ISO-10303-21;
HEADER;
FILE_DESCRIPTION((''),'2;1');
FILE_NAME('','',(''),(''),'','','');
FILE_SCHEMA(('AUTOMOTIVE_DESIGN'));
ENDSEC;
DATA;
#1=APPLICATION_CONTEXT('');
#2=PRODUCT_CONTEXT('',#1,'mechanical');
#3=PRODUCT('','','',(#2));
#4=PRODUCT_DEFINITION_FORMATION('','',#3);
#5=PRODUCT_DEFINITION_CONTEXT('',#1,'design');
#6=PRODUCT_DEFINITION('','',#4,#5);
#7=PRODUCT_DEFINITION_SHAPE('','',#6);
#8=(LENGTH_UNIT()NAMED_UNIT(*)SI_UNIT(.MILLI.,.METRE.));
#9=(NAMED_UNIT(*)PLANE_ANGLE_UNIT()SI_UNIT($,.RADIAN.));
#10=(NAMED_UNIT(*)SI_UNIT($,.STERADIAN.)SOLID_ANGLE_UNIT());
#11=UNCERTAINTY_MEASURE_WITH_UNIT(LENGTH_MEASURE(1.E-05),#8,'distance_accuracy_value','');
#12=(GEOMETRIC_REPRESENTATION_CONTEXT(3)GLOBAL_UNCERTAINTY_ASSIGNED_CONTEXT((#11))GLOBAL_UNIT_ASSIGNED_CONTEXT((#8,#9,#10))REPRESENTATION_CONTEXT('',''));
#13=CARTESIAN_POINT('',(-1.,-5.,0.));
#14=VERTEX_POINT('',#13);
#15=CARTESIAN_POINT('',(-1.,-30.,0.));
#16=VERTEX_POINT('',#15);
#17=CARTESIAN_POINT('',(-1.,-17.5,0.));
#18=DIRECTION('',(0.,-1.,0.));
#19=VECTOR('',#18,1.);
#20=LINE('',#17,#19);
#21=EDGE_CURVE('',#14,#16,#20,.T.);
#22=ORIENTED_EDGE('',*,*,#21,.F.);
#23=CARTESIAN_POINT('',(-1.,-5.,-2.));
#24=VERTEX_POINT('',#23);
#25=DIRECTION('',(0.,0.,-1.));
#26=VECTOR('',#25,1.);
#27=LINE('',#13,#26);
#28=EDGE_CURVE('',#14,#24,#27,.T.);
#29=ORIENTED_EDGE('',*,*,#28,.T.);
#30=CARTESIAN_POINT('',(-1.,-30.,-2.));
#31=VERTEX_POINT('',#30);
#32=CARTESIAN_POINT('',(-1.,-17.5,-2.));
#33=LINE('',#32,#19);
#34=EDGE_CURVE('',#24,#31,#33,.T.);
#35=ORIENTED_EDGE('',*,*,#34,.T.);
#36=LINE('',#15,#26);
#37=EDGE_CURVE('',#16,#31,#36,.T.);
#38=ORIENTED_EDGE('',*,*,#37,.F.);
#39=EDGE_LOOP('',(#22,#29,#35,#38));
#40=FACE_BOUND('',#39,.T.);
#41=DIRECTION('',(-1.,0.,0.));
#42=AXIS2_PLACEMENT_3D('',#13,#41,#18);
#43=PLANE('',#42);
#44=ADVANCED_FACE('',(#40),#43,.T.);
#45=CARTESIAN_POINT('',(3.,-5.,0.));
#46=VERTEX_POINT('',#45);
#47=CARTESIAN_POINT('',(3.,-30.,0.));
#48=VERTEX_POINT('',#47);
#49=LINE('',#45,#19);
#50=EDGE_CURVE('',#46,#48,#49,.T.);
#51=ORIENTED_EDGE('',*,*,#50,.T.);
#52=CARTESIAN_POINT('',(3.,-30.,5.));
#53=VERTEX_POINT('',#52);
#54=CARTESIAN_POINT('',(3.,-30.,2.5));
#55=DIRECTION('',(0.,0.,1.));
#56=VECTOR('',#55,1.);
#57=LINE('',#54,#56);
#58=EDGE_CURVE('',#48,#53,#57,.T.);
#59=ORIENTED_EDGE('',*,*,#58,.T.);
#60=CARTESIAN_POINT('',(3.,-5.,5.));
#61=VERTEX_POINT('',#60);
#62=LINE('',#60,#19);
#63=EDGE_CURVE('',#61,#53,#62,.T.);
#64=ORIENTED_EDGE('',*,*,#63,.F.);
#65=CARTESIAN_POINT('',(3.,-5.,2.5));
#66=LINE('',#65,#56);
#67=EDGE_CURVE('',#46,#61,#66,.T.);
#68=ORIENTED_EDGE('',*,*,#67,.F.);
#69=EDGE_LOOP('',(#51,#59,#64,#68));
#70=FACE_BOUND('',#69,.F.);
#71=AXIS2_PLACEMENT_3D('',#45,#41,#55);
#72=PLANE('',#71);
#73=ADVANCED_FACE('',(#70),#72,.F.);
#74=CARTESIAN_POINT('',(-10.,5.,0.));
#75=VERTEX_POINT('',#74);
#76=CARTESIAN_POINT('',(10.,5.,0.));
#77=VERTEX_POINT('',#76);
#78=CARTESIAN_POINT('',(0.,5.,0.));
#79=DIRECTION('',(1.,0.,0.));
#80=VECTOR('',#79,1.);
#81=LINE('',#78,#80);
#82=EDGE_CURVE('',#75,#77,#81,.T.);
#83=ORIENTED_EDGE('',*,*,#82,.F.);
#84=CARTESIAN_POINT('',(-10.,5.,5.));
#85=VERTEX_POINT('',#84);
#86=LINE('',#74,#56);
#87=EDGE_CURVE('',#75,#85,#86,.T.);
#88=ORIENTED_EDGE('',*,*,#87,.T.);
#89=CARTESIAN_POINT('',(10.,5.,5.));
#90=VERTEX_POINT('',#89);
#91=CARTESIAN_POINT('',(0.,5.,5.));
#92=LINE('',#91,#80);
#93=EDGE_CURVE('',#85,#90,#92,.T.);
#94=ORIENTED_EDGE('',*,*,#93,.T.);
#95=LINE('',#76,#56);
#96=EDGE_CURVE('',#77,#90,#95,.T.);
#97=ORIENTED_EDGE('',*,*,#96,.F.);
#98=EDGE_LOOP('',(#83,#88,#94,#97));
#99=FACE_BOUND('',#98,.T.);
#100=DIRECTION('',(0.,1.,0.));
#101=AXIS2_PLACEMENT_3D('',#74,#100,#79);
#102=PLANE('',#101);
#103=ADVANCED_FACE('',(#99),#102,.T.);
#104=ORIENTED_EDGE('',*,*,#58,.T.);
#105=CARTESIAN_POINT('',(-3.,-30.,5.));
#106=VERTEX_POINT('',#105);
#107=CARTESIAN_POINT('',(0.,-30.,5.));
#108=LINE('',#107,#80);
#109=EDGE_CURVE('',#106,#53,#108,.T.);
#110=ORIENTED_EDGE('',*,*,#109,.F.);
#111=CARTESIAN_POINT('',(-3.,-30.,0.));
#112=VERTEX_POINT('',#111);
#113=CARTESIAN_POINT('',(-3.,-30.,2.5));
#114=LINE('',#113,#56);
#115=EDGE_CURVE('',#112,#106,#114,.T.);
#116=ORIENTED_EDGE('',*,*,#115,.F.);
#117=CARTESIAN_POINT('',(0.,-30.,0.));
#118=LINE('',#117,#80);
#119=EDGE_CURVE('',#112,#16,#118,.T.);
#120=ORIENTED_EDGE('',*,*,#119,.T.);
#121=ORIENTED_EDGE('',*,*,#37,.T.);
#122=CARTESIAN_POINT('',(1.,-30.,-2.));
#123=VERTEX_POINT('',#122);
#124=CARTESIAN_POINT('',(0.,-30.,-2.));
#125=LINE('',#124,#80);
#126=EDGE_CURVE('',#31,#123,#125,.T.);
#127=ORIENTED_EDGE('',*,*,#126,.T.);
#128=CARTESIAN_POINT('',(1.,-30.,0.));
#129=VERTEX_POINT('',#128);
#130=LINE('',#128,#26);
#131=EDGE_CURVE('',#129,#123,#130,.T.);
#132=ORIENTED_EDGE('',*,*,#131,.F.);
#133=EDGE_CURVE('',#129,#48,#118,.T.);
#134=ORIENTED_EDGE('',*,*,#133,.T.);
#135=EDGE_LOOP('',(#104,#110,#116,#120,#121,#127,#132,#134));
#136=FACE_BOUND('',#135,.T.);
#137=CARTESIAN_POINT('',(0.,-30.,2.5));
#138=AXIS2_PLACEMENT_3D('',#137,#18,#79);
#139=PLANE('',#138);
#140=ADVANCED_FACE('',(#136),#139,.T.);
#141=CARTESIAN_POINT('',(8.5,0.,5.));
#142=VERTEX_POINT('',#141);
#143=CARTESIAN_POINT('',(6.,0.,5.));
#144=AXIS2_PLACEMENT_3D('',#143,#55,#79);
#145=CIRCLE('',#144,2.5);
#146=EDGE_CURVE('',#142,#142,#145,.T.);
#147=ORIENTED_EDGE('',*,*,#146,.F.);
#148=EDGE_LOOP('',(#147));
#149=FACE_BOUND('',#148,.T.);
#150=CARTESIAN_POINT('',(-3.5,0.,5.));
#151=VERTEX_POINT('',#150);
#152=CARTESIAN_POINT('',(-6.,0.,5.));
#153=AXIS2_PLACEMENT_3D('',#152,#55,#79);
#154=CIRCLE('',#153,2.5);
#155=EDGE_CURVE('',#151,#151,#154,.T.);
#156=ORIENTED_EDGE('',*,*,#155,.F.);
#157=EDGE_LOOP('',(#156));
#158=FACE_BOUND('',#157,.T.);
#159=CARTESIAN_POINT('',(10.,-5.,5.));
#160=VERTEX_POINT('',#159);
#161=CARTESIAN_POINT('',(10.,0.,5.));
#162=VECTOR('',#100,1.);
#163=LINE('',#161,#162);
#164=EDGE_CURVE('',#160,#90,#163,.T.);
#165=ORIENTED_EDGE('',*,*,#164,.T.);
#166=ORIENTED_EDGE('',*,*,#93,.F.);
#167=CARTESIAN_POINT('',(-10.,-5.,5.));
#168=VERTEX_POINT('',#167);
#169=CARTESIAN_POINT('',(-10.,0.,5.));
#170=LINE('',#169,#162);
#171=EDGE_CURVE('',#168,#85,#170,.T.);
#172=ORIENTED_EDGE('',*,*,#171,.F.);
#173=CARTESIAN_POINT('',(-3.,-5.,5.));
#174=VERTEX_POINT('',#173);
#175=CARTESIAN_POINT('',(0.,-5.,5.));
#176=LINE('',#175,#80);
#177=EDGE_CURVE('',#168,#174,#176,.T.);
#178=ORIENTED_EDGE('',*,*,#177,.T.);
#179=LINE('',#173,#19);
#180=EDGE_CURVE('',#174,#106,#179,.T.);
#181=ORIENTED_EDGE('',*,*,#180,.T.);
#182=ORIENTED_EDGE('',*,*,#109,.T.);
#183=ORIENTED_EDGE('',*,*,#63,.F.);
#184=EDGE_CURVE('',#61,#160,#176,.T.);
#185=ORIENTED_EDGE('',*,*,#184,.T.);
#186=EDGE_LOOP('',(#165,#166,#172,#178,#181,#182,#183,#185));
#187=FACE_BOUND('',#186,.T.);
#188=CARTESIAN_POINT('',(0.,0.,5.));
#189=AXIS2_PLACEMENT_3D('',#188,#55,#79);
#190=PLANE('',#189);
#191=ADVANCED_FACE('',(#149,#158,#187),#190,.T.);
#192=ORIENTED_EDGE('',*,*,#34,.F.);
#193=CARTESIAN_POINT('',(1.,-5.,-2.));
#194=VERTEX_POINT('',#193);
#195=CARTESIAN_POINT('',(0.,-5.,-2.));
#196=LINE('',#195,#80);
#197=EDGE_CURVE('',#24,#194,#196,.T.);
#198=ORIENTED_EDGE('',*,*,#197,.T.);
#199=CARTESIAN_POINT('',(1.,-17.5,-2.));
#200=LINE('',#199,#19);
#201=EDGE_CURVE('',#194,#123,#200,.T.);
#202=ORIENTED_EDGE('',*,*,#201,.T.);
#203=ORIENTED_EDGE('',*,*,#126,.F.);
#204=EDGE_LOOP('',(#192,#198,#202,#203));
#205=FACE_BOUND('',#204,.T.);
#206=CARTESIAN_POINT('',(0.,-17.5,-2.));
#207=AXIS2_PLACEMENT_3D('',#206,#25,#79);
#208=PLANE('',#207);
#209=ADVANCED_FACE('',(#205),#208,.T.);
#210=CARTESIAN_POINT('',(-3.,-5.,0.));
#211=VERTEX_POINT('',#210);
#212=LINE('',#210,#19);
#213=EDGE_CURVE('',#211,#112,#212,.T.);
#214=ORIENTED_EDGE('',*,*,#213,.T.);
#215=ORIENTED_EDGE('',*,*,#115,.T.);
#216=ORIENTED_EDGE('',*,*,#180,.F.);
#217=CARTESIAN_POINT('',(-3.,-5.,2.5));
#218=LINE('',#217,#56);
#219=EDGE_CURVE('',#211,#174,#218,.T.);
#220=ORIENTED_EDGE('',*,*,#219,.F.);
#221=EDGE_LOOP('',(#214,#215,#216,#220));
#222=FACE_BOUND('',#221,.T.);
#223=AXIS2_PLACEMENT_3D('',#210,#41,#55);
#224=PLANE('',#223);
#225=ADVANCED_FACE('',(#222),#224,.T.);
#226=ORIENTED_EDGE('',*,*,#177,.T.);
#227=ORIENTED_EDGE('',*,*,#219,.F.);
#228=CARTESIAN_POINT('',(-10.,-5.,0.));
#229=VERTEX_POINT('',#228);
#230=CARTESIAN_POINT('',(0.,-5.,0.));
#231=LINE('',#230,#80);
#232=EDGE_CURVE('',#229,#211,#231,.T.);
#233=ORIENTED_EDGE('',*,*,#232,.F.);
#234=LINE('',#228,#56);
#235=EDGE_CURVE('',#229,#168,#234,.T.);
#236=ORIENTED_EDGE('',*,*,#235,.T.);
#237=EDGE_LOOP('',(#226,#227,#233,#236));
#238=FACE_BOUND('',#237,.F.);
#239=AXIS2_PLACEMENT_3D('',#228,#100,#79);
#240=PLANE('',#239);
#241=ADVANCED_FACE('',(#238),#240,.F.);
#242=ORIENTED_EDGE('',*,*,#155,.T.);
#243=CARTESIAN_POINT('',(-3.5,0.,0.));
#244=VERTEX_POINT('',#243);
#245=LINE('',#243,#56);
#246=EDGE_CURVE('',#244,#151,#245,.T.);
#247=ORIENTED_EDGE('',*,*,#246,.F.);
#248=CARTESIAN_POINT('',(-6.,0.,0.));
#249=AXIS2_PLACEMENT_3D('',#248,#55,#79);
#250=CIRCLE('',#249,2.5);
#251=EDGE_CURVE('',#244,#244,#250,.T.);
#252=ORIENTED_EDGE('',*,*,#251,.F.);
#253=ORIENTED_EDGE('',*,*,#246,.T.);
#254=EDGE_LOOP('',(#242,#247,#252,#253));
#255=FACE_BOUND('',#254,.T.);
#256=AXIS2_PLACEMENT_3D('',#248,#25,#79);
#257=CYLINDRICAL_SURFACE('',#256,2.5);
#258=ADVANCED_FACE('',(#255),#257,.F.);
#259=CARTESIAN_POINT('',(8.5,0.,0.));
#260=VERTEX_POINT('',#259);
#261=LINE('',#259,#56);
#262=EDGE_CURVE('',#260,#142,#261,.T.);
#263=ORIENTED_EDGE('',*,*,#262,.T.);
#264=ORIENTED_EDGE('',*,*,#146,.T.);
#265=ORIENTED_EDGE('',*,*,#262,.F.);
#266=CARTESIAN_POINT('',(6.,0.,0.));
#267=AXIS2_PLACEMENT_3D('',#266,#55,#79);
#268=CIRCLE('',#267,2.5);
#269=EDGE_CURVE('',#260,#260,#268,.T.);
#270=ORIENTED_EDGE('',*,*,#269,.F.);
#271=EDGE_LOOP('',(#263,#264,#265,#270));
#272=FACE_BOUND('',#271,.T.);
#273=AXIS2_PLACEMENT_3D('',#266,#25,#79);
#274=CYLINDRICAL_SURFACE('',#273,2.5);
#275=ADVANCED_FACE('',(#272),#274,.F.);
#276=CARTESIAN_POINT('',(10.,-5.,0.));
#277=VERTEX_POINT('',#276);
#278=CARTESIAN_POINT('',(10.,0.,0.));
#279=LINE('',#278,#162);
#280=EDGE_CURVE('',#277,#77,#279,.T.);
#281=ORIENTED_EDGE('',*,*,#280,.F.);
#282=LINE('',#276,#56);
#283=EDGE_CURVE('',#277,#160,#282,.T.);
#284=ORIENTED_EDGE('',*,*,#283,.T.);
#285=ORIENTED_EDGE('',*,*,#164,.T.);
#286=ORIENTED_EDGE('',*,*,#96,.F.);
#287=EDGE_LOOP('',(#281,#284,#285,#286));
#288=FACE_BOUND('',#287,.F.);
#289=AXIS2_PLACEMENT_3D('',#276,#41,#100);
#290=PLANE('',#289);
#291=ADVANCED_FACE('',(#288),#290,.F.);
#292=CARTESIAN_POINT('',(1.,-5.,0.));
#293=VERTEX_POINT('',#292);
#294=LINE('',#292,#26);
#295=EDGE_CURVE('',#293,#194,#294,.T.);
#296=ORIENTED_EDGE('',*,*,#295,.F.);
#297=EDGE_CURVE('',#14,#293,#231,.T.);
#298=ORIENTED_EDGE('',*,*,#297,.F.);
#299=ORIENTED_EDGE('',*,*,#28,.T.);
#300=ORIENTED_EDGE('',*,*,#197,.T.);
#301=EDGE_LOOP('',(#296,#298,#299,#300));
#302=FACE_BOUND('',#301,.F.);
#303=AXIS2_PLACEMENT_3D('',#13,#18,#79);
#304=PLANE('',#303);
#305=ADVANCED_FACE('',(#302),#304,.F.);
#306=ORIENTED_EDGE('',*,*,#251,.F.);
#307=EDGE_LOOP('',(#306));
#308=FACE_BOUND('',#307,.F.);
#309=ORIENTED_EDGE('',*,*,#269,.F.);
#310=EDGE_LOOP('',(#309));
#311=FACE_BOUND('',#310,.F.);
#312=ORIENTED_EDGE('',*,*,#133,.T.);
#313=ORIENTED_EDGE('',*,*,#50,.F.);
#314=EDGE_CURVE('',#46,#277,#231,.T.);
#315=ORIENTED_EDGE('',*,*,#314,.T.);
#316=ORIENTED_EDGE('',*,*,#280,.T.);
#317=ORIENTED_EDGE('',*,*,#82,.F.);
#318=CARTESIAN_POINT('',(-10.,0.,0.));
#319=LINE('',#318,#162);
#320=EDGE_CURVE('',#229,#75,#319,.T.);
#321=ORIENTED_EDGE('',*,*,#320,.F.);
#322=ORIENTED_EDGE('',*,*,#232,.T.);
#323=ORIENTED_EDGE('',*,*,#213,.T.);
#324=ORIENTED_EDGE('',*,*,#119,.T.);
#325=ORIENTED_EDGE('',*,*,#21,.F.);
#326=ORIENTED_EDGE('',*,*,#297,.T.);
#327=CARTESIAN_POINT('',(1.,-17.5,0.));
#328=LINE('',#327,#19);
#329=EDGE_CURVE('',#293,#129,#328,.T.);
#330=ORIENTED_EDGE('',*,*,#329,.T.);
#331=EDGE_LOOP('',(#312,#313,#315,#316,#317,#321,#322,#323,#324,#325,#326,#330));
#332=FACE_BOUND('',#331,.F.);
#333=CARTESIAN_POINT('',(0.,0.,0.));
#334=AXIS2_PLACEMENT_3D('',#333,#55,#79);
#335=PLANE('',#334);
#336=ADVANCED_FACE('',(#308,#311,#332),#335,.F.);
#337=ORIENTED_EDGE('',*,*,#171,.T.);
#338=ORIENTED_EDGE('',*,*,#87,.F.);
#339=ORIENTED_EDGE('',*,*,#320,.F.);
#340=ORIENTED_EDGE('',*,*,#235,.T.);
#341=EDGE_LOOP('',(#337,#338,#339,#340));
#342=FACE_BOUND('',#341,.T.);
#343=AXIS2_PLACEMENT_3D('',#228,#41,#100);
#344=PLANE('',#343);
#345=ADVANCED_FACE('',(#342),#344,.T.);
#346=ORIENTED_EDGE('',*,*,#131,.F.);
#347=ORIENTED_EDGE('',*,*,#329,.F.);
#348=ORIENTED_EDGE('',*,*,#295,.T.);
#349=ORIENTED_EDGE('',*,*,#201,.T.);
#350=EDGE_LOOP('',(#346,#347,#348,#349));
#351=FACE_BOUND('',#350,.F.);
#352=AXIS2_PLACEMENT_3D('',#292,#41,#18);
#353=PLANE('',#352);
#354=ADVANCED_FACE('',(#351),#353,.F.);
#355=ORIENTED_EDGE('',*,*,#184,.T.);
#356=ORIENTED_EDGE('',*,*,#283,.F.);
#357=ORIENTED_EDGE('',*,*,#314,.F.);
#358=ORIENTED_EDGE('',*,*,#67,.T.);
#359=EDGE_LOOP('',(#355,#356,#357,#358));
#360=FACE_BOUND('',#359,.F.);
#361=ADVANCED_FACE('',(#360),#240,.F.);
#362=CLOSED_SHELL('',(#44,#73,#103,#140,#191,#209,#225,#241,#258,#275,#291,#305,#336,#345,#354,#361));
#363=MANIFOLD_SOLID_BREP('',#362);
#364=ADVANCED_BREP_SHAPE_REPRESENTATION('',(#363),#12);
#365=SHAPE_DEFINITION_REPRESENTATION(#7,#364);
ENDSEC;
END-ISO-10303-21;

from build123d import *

# Parameters (mm, degrees)
SKETCH_W     = 20
SKETCH_H     = 10
SKETCH_R     = 2.5
PAD_DEPTH    = 5
SKETCH001_W  = 6
SKETCH001_H  = 5
PAD001_DEPTH = 25
SKETCH002_W  = 2
SKETCH002_H  = 25
PAD002_DEPTH = 2


with BuildPart() as part:
    # Sketch → Pad (new body)
    with BuildSketch(Plane.XY):
        Rectangle(SKETCH_W, SKETCH_H)
        with Locations((-6, 0)):
            Circle(SKETCH_R, mode=Mode.SUBTRACT)
        with Locations((6, 0)):
            Circle(SKETCH_R, mode=Mode.SUBTRACT)
    extrude(amount=PAD_DEPTH)

    # Sketch001 → Pad001 (new body)
    with BuildSketch(Plane.XZ.offset(5)):
        with Locations((0, 2.5)):
            Rectangle(SKETCH001_W, SKETCH001_H)
    extrude(amount=PAD001_DEPTH)

    # Sketch002 → Pad002 (new body)
    with BuildSketch(Plane(origin=(0, 0, 0), x_dir=(1, 0, 0), z_dir=(0, 0, -1))):
        with Locations((0, 17.5)):
            Rectangle(SKETCH002_W, SKETCH002_H)
    extrude(amount=PAD002_DEPTH)


solid = part.part
